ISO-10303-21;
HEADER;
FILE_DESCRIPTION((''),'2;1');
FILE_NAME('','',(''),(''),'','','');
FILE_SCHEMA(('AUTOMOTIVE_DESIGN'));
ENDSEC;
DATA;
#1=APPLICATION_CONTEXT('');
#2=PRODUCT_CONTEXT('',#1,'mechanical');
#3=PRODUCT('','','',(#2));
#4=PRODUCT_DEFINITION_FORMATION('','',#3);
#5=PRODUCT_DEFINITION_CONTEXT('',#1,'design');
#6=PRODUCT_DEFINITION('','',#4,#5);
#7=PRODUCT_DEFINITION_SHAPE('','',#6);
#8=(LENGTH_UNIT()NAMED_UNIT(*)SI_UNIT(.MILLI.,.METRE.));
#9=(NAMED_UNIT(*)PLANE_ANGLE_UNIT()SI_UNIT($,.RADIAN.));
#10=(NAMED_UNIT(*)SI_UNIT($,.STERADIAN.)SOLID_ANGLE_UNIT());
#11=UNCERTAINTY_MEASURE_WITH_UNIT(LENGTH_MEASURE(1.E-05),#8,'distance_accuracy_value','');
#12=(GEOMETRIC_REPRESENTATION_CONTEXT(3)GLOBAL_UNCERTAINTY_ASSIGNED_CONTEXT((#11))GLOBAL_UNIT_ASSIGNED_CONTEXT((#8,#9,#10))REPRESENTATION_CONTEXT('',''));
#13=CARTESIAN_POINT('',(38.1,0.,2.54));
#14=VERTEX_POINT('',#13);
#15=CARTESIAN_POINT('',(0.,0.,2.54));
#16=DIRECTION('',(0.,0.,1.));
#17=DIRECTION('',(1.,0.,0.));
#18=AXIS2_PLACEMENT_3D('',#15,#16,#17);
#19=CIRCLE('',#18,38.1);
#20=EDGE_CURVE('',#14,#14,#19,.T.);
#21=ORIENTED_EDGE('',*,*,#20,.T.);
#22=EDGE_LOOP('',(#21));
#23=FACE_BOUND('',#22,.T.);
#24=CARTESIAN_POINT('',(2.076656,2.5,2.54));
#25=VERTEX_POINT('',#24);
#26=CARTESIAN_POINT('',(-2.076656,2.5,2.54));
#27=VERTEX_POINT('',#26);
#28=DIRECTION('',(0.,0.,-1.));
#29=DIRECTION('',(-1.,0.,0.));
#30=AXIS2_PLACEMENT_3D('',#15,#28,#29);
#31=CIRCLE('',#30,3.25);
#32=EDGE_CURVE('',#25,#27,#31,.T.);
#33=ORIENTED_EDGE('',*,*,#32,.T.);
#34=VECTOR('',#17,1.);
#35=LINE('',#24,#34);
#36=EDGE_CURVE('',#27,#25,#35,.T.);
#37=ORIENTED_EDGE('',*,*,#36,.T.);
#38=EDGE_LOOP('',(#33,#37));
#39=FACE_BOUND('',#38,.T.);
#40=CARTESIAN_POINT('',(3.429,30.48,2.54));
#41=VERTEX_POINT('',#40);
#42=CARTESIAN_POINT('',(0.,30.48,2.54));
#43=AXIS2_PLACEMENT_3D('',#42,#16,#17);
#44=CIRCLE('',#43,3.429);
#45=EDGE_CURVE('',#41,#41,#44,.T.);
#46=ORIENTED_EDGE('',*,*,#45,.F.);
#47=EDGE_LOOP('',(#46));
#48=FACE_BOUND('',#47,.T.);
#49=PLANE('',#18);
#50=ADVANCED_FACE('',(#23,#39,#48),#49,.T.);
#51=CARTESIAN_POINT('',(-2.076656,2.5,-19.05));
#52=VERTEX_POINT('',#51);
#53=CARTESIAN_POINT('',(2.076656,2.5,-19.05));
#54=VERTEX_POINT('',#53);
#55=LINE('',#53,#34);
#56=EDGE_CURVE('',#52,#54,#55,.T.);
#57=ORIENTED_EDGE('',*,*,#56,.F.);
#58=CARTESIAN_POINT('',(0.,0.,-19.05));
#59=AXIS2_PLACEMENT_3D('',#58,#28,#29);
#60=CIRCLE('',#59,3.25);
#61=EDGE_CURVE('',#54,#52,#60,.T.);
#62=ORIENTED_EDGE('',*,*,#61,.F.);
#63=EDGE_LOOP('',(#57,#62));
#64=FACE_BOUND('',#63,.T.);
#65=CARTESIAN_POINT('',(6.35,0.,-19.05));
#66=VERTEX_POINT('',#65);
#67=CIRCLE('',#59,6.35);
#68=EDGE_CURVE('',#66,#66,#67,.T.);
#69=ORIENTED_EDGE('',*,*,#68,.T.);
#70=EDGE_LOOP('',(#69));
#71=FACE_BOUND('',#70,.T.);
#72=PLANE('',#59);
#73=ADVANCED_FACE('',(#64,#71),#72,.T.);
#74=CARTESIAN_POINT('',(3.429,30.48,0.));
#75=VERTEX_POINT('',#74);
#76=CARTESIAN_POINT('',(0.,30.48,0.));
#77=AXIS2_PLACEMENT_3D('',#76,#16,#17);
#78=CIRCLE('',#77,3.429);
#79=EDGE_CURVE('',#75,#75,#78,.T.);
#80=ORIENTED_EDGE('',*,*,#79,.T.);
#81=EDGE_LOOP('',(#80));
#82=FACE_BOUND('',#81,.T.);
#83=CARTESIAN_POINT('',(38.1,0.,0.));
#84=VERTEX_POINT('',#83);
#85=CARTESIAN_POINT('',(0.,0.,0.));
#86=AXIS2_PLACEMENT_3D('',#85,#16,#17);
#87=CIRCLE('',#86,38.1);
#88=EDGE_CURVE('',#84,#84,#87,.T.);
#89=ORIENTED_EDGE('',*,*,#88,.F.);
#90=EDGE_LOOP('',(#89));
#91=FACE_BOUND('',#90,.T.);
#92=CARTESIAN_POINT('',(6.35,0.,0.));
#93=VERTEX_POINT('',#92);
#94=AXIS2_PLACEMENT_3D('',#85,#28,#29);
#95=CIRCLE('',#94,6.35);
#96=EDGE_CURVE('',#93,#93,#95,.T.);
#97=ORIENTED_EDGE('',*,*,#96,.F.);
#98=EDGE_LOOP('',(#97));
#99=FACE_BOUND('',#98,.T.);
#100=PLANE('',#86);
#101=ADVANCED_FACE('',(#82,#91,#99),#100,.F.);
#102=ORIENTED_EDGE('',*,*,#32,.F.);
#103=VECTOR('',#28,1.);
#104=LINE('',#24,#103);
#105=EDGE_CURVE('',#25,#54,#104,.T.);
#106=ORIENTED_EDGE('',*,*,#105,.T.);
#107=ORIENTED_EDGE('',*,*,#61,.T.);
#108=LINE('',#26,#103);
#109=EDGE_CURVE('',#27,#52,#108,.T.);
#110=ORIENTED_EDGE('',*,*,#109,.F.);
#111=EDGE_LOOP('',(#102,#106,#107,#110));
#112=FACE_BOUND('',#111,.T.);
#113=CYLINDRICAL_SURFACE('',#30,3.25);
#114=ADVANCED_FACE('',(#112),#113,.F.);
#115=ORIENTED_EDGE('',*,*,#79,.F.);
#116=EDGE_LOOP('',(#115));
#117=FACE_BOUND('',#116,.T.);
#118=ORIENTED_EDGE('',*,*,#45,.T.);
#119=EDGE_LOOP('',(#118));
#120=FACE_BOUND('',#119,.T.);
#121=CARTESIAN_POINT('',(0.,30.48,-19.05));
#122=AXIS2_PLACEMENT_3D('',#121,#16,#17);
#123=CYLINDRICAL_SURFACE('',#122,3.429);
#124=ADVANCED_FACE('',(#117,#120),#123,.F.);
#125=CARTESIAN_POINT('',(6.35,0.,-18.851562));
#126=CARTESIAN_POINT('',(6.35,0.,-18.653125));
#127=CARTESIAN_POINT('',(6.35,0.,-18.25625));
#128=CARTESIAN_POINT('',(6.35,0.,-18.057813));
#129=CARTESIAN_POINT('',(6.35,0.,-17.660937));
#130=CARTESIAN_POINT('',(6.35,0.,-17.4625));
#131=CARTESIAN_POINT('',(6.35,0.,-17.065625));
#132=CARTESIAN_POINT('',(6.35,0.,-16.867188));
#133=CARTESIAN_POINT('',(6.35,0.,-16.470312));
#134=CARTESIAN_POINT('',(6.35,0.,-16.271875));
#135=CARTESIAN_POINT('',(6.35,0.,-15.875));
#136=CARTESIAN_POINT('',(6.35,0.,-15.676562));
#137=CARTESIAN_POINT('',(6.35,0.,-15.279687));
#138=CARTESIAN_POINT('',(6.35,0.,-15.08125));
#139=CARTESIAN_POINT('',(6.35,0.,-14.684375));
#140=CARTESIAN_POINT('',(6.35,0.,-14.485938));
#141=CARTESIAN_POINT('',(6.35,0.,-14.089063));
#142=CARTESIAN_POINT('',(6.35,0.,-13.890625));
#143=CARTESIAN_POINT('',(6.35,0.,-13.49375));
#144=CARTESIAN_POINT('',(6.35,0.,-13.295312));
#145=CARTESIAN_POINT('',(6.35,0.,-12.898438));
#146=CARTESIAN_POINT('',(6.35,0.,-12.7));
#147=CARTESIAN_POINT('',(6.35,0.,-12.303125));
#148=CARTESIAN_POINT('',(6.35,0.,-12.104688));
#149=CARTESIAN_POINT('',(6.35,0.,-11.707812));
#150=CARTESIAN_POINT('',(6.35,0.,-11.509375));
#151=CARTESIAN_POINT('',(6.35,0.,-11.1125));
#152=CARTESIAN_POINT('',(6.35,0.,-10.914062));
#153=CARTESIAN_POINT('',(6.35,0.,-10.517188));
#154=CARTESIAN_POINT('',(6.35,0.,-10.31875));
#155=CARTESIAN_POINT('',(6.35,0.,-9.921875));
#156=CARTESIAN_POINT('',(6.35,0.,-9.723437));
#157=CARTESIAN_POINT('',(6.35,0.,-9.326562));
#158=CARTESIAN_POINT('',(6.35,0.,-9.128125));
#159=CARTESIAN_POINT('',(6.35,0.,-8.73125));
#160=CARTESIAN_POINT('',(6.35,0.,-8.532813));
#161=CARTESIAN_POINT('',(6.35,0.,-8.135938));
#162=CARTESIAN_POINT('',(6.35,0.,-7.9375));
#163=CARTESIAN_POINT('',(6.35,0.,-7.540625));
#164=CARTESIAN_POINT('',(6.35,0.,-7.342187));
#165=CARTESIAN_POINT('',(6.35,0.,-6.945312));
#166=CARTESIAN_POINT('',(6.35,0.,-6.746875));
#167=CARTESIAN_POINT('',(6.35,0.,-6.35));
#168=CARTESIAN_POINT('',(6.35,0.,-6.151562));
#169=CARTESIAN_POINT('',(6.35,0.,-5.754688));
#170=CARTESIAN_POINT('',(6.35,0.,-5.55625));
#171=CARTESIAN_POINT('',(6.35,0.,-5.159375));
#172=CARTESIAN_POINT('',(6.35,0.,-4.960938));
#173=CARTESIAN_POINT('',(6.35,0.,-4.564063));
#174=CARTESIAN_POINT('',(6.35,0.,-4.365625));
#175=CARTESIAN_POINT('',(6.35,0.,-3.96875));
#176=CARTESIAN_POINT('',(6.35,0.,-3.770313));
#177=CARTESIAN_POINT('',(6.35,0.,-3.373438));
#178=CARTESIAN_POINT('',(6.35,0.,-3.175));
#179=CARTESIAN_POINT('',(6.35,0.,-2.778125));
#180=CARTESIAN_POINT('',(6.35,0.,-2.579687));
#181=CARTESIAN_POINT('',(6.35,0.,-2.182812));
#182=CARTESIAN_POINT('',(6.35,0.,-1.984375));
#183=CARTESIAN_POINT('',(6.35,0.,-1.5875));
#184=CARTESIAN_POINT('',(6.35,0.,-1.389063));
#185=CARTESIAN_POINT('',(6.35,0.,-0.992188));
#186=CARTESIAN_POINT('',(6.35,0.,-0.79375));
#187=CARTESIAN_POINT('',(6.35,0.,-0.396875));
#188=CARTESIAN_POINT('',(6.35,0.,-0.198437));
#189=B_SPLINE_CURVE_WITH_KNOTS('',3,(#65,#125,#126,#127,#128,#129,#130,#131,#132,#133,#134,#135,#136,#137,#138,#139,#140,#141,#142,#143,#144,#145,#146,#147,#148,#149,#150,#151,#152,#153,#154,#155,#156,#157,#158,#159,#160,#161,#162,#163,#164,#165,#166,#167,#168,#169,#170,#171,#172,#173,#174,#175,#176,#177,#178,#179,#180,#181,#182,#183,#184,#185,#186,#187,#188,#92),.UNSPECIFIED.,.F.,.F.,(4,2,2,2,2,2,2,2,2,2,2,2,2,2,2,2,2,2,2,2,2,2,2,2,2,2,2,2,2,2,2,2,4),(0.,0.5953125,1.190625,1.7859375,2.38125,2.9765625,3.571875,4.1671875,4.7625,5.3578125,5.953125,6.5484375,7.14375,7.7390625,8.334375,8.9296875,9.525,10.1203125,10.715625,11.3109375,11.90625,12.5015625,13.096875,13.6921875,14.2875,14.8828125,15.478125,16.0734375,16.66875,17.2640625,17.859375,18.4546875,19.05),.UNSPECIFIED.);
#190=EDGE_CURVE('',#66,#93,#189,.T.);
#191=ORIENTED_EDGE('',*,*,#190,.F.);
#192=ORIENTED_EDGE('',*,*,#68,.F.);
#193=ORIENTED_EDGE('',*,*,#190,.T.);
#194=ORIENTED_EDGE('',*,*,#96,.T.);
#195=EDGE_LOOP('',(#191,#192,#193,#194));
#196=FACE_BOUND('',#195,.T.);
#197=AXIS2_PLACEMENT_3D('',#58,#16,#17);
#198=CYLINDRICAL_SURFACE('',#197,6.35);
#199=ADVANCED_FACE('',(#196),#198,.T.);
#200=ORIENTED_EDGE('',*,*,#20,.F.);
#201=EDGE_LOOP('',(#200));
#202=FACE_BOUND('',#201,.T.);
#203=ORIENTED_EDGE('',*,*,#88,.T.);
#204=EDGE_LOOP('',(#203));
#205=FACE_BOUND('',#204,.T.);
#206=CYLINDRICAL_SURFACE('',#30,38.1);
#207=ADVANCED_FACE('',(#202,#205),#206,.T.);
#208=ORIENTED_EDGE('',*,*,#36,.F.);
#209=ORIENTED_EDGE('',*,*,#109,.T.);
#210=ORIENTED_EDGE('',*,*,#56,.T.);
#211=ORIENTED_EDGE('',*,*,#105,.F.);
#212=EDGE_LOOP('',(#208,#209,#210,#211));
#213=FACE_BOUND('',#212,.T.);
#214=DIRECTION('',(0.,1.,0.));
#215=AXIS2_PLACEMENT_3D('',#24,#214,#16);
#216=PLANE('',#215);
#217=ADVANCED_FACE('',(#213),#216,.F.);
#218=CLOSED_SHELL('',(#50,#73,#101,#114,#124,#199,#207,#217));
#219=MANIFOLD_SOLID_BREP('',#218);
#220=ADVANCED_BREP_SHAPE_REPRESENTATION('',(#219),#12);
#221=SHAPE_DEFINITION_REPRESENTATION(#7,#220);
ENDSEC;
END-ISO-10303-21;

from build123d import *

# Parameters (mm, degrees)
SKETCH1_R           = 38.1
BOSS_EXTRUDE1_DEPTH = 2.54
SKETCH3_R           = 6.35
BOSS_EXTRUDE3_DEPTH = 19.05
SKETCH2_R           = 3.429
CUT_EXTRUDE1_DEPTH  = 59.046086001
CUT_EXTRUDE2_DEPTH  = 59.046086001


with BuildPart() as part:
    # Sketch1 → Boss-Extrude1 (new body)
    with BuildSketch(Plane.XY):
        Circle(SKETCH1_R)
    extrude(amount=BOSS_EXTRUDE1_DEPTH)

    # Sketch3 → Boss-Extrude3 (add)
    with BuildSketch(Plane(origin=(0, 0, 0), x_dir=(-1, 0, 0), z_dir=(0, 0, -1))):
        with Locations(Location((0, 0, 0), (0, 0, 180))):
            Circle(SKETCH3_R)
    extrude(amount=BOSS_EXTRUDE3_DEPTH)

    # Sketch2 → Cut-Extrude1 (cut, through all)
    with BuildSketch(Plane.XY.offset(2.54)):
        with Locations((0, 30.48)):
            Circle(SKETCH2_R)
    extrude(amount=-CUT_EXTRUDE1_DEPTH, mode=Mode.SUBTRACT)

    # Sketch4 → Cut-Extrude2 (cut, through all)
    with BuildSketch(Plane(origin=(0, 0, -19.05), x_dir=(-1, 0, 0), z_dir=(0, 0, -1))):
        with BuildLine():
            Line((-2.076655966, 2.5), (2.076655966, 2.5))
            ThreePointArc((2.076655966, 2.5), (0, -3.25), (-2.076655966, 2.5))
        make_face()
    extrude(amount=-CUT_EXTRUDE2_DEPTH, mode=Mode.SUBTRACT)


solid = part.part
